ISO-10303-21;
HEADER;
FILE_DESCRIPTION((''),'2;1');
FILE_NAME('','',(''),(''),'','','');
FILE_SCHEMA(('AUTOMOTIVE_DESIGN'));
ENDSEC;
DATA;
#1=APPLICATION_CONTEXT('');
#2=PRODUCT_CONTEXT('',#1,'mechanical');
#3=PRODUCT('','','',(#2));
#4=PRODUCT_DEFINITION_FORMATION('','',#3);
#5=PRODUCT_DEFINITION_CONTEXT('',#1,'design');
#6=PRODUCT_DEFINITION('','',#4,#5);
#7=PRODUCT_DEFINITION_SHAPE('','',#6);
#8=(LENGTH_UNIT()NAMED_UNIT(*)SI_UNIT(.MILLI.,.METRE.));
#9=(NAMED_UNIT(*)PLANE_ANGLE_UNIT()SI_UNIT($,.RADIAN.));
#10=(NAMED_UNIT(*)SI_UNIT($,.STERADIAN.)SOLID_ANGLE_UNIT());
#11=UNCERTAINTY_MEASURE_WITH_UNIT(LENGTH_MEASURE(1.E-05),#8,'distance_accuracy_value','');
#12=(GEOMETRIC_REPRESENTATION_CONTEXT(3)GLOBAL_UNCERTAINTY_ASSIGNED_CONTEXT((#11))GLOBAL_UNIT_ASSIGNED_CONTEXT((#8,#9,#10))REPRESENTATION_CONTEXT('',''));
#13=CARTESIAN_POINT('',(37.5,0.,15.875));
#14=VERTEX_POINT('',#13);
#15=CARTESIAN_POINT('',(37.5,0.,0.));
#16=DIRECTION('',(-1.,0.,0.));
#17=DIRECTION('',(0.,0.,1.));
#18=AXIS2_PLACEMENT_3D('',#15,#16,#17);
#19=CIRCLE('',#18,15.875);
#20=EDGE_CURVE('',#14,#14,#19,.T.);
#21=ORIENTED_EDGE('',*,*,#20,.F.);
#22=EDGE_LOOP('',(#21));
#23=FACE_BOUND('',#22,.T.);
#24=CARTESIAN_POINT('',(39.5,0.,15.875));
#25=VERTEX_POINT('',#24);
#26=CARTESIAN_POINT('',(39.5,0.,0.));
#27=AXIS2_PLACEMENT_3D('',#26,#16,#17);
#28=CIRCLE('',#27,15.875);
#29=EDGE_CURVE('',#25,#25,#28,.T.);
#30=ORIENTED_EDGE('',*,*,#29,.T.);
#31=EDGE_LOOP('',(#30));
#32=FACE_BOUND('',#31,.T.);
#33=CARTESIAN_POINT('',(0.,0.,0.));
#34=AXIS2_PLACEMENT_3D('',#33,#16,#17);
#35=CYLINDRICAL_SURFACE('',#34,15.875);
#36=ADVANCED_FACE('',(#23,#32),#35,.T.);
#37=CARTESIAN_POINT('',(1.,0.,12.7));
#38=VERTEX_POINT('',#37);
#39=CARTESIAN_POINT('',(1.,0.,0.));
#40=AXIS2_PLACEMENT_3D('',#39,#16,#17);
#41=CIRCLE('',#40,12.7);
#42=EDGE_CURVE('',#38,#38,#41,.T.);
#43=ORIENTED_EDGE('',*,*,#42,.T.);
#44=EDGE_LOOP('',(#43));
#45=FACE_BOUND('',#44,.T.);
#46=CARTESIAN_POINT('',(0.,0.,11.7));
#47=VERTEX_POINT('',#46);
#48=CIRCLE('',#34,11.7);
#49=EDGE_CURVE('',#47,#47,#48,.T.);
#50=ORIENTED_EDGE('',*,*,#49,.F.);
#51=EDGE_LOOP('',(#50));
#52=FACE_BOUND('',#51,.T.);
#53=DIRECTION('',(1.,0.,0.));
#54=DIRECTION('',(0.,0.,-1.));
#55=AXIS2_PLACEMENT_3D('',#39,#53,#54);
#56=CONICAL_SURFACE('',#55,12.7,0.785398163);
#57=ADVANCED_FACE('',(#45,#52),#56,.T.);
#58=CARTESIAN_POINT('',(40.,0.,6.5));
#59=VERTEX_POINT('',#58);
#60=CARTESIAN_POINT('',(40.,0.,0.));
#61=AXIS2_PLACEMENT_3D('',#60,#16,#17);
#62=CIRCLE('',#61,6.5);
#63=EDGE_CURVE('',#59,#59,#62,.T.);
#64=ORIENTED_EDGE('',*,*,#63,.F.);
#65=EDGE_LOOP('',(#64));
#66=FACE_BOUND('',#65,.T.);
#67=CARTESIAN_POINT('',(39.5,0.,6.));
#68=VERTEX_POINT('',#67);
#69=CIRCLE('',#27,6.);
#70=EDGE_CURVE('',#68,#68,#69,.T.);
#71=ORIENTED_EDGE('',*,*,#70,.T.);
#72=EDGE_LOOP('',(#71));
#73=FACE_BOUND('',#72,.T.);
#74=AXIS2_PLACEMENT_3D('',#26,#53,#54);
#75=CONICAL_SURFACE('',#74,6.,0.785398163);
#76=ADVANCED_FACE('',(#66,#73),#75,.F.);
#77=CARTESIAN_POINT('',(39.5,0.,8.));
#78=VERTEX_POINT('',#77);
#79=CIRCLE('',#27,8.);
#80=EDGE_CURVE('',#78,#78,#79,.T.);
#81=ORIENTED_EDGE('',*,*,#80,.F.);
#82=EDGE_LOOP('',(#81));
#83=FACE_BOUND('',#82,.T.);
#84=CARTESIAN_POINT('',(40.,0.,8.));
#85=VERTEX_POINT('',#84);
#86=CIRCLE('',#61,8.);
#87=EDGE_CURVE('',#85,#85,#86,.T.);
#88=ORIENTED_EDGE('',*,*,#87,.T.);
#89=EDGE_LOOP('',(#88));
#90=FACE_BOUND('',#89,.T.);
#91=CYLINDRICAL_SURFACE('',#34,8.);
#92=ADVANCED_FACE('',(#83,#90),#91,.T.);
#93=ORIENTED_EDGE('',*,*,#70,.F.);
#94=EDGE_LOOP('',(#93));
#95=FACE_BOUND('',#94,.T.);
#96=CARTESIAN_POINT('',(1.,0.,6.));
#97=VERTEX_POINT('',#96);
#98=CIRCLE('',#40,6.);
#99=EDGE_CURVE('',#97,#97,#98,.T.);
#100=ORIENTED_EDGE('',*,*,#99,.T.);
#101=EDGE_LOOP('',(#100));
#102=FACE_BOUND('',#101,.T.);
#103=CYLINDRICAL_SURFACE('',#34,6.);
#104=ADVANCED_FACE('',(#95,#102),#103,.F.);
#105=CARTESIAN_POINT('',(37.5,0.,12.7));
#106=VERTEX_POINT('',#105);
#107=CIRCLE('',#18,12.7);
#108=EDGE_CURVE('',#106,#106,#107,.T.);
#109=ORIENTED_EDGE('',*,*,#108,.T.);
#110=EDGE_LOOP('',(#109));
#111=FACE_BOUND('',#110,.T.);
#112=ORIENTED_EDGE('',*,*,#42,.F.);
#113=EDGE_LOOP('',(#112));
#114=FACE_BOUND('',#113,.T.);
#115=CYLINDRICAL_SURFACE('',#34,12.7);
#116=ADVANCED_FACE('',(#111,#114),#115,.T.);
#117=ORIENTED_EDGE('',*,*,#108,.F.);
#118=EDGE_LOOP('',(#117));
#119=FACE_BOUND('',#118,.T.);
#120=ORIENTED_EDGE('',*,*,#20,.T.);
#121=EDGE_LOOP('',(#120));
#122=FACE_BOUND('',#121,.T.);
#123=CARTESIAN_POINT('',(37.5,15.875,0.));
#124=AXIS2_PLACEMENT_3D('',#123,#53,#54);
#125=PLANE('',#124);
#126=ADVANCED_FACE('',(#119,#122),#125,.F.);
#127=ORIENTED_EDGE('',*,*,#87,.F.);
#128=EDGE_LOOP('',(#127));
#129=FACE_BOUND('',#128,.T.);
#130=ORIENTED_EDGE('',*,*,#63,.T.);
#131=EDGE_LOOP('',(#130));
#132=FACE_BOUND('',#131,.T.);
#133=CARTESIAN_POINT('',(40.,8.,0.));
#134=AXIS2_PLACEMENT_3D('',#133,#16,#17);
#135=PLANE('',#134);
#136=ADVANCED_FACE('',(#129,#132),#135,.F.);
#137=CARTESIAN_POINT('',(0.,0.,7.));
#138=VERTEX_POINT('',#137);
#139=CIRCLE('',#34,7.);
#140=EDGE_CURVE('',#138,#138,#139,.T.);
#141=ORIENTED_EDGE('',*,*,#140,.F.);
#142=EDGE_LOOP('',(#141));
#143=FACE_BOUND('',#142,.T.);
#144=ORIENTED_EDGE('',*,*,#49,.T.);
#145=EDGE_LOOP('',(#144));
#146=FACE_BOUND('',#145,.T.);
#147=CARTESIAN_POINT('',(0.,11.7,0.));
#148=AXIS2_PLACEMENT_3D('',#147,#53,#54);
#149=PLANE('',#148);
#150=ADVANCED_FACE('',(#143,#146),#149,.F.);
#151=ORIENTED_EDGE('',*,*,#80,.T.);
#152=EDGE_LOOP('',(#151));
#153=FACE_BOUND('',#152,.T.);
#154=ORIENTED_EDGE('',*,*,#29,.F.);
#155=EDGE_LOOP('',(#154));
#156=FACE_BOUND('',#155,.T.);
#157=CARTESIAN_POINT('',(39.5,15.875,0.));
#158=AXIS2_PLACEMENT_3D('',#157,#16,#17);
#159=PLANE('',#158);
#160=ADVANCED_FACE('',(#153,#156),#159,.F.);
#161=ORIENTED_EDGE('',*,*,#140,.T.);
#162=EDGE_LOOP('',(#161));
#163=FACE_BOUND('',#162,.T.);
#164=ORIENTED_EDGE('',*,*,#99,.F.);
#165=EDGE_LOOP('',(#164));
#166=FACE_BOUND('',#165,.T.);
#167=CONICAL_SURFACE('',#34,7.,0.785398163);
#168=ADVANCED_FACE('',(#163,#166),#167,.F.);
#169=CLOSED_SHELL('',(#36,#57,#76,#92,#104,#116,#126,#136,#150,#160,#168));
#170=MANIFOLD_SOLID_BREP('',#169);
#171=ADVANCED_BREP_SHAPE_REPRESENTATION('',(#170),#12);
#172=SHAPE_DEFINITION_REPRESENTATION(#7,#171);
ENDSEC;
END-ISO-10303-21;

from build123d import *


with BuildPart() as part:
    # Croquis1 → Revolución1 (revolve)
    with BuildSketch(Plane.XY, mode=Mode.PRIVATE) as revoluci_n1_sk:
        Polygon((1, 12.7), (37.5, 12.7), (37.5, 15.875), (39.5, 15.875), (39.5, 8), (40, 8), (40, 6.5), (39.5, 6), (1, 6), (0, 7), (0, 11.7), align=None)
    revolve(revoluci_n1_sk.sketch.rotate(Axis((0, 0, 0), (1, 0, 0)), 90), axis=Axis((0, 0, 0), (1, 0, 0)))


solid = part.part
